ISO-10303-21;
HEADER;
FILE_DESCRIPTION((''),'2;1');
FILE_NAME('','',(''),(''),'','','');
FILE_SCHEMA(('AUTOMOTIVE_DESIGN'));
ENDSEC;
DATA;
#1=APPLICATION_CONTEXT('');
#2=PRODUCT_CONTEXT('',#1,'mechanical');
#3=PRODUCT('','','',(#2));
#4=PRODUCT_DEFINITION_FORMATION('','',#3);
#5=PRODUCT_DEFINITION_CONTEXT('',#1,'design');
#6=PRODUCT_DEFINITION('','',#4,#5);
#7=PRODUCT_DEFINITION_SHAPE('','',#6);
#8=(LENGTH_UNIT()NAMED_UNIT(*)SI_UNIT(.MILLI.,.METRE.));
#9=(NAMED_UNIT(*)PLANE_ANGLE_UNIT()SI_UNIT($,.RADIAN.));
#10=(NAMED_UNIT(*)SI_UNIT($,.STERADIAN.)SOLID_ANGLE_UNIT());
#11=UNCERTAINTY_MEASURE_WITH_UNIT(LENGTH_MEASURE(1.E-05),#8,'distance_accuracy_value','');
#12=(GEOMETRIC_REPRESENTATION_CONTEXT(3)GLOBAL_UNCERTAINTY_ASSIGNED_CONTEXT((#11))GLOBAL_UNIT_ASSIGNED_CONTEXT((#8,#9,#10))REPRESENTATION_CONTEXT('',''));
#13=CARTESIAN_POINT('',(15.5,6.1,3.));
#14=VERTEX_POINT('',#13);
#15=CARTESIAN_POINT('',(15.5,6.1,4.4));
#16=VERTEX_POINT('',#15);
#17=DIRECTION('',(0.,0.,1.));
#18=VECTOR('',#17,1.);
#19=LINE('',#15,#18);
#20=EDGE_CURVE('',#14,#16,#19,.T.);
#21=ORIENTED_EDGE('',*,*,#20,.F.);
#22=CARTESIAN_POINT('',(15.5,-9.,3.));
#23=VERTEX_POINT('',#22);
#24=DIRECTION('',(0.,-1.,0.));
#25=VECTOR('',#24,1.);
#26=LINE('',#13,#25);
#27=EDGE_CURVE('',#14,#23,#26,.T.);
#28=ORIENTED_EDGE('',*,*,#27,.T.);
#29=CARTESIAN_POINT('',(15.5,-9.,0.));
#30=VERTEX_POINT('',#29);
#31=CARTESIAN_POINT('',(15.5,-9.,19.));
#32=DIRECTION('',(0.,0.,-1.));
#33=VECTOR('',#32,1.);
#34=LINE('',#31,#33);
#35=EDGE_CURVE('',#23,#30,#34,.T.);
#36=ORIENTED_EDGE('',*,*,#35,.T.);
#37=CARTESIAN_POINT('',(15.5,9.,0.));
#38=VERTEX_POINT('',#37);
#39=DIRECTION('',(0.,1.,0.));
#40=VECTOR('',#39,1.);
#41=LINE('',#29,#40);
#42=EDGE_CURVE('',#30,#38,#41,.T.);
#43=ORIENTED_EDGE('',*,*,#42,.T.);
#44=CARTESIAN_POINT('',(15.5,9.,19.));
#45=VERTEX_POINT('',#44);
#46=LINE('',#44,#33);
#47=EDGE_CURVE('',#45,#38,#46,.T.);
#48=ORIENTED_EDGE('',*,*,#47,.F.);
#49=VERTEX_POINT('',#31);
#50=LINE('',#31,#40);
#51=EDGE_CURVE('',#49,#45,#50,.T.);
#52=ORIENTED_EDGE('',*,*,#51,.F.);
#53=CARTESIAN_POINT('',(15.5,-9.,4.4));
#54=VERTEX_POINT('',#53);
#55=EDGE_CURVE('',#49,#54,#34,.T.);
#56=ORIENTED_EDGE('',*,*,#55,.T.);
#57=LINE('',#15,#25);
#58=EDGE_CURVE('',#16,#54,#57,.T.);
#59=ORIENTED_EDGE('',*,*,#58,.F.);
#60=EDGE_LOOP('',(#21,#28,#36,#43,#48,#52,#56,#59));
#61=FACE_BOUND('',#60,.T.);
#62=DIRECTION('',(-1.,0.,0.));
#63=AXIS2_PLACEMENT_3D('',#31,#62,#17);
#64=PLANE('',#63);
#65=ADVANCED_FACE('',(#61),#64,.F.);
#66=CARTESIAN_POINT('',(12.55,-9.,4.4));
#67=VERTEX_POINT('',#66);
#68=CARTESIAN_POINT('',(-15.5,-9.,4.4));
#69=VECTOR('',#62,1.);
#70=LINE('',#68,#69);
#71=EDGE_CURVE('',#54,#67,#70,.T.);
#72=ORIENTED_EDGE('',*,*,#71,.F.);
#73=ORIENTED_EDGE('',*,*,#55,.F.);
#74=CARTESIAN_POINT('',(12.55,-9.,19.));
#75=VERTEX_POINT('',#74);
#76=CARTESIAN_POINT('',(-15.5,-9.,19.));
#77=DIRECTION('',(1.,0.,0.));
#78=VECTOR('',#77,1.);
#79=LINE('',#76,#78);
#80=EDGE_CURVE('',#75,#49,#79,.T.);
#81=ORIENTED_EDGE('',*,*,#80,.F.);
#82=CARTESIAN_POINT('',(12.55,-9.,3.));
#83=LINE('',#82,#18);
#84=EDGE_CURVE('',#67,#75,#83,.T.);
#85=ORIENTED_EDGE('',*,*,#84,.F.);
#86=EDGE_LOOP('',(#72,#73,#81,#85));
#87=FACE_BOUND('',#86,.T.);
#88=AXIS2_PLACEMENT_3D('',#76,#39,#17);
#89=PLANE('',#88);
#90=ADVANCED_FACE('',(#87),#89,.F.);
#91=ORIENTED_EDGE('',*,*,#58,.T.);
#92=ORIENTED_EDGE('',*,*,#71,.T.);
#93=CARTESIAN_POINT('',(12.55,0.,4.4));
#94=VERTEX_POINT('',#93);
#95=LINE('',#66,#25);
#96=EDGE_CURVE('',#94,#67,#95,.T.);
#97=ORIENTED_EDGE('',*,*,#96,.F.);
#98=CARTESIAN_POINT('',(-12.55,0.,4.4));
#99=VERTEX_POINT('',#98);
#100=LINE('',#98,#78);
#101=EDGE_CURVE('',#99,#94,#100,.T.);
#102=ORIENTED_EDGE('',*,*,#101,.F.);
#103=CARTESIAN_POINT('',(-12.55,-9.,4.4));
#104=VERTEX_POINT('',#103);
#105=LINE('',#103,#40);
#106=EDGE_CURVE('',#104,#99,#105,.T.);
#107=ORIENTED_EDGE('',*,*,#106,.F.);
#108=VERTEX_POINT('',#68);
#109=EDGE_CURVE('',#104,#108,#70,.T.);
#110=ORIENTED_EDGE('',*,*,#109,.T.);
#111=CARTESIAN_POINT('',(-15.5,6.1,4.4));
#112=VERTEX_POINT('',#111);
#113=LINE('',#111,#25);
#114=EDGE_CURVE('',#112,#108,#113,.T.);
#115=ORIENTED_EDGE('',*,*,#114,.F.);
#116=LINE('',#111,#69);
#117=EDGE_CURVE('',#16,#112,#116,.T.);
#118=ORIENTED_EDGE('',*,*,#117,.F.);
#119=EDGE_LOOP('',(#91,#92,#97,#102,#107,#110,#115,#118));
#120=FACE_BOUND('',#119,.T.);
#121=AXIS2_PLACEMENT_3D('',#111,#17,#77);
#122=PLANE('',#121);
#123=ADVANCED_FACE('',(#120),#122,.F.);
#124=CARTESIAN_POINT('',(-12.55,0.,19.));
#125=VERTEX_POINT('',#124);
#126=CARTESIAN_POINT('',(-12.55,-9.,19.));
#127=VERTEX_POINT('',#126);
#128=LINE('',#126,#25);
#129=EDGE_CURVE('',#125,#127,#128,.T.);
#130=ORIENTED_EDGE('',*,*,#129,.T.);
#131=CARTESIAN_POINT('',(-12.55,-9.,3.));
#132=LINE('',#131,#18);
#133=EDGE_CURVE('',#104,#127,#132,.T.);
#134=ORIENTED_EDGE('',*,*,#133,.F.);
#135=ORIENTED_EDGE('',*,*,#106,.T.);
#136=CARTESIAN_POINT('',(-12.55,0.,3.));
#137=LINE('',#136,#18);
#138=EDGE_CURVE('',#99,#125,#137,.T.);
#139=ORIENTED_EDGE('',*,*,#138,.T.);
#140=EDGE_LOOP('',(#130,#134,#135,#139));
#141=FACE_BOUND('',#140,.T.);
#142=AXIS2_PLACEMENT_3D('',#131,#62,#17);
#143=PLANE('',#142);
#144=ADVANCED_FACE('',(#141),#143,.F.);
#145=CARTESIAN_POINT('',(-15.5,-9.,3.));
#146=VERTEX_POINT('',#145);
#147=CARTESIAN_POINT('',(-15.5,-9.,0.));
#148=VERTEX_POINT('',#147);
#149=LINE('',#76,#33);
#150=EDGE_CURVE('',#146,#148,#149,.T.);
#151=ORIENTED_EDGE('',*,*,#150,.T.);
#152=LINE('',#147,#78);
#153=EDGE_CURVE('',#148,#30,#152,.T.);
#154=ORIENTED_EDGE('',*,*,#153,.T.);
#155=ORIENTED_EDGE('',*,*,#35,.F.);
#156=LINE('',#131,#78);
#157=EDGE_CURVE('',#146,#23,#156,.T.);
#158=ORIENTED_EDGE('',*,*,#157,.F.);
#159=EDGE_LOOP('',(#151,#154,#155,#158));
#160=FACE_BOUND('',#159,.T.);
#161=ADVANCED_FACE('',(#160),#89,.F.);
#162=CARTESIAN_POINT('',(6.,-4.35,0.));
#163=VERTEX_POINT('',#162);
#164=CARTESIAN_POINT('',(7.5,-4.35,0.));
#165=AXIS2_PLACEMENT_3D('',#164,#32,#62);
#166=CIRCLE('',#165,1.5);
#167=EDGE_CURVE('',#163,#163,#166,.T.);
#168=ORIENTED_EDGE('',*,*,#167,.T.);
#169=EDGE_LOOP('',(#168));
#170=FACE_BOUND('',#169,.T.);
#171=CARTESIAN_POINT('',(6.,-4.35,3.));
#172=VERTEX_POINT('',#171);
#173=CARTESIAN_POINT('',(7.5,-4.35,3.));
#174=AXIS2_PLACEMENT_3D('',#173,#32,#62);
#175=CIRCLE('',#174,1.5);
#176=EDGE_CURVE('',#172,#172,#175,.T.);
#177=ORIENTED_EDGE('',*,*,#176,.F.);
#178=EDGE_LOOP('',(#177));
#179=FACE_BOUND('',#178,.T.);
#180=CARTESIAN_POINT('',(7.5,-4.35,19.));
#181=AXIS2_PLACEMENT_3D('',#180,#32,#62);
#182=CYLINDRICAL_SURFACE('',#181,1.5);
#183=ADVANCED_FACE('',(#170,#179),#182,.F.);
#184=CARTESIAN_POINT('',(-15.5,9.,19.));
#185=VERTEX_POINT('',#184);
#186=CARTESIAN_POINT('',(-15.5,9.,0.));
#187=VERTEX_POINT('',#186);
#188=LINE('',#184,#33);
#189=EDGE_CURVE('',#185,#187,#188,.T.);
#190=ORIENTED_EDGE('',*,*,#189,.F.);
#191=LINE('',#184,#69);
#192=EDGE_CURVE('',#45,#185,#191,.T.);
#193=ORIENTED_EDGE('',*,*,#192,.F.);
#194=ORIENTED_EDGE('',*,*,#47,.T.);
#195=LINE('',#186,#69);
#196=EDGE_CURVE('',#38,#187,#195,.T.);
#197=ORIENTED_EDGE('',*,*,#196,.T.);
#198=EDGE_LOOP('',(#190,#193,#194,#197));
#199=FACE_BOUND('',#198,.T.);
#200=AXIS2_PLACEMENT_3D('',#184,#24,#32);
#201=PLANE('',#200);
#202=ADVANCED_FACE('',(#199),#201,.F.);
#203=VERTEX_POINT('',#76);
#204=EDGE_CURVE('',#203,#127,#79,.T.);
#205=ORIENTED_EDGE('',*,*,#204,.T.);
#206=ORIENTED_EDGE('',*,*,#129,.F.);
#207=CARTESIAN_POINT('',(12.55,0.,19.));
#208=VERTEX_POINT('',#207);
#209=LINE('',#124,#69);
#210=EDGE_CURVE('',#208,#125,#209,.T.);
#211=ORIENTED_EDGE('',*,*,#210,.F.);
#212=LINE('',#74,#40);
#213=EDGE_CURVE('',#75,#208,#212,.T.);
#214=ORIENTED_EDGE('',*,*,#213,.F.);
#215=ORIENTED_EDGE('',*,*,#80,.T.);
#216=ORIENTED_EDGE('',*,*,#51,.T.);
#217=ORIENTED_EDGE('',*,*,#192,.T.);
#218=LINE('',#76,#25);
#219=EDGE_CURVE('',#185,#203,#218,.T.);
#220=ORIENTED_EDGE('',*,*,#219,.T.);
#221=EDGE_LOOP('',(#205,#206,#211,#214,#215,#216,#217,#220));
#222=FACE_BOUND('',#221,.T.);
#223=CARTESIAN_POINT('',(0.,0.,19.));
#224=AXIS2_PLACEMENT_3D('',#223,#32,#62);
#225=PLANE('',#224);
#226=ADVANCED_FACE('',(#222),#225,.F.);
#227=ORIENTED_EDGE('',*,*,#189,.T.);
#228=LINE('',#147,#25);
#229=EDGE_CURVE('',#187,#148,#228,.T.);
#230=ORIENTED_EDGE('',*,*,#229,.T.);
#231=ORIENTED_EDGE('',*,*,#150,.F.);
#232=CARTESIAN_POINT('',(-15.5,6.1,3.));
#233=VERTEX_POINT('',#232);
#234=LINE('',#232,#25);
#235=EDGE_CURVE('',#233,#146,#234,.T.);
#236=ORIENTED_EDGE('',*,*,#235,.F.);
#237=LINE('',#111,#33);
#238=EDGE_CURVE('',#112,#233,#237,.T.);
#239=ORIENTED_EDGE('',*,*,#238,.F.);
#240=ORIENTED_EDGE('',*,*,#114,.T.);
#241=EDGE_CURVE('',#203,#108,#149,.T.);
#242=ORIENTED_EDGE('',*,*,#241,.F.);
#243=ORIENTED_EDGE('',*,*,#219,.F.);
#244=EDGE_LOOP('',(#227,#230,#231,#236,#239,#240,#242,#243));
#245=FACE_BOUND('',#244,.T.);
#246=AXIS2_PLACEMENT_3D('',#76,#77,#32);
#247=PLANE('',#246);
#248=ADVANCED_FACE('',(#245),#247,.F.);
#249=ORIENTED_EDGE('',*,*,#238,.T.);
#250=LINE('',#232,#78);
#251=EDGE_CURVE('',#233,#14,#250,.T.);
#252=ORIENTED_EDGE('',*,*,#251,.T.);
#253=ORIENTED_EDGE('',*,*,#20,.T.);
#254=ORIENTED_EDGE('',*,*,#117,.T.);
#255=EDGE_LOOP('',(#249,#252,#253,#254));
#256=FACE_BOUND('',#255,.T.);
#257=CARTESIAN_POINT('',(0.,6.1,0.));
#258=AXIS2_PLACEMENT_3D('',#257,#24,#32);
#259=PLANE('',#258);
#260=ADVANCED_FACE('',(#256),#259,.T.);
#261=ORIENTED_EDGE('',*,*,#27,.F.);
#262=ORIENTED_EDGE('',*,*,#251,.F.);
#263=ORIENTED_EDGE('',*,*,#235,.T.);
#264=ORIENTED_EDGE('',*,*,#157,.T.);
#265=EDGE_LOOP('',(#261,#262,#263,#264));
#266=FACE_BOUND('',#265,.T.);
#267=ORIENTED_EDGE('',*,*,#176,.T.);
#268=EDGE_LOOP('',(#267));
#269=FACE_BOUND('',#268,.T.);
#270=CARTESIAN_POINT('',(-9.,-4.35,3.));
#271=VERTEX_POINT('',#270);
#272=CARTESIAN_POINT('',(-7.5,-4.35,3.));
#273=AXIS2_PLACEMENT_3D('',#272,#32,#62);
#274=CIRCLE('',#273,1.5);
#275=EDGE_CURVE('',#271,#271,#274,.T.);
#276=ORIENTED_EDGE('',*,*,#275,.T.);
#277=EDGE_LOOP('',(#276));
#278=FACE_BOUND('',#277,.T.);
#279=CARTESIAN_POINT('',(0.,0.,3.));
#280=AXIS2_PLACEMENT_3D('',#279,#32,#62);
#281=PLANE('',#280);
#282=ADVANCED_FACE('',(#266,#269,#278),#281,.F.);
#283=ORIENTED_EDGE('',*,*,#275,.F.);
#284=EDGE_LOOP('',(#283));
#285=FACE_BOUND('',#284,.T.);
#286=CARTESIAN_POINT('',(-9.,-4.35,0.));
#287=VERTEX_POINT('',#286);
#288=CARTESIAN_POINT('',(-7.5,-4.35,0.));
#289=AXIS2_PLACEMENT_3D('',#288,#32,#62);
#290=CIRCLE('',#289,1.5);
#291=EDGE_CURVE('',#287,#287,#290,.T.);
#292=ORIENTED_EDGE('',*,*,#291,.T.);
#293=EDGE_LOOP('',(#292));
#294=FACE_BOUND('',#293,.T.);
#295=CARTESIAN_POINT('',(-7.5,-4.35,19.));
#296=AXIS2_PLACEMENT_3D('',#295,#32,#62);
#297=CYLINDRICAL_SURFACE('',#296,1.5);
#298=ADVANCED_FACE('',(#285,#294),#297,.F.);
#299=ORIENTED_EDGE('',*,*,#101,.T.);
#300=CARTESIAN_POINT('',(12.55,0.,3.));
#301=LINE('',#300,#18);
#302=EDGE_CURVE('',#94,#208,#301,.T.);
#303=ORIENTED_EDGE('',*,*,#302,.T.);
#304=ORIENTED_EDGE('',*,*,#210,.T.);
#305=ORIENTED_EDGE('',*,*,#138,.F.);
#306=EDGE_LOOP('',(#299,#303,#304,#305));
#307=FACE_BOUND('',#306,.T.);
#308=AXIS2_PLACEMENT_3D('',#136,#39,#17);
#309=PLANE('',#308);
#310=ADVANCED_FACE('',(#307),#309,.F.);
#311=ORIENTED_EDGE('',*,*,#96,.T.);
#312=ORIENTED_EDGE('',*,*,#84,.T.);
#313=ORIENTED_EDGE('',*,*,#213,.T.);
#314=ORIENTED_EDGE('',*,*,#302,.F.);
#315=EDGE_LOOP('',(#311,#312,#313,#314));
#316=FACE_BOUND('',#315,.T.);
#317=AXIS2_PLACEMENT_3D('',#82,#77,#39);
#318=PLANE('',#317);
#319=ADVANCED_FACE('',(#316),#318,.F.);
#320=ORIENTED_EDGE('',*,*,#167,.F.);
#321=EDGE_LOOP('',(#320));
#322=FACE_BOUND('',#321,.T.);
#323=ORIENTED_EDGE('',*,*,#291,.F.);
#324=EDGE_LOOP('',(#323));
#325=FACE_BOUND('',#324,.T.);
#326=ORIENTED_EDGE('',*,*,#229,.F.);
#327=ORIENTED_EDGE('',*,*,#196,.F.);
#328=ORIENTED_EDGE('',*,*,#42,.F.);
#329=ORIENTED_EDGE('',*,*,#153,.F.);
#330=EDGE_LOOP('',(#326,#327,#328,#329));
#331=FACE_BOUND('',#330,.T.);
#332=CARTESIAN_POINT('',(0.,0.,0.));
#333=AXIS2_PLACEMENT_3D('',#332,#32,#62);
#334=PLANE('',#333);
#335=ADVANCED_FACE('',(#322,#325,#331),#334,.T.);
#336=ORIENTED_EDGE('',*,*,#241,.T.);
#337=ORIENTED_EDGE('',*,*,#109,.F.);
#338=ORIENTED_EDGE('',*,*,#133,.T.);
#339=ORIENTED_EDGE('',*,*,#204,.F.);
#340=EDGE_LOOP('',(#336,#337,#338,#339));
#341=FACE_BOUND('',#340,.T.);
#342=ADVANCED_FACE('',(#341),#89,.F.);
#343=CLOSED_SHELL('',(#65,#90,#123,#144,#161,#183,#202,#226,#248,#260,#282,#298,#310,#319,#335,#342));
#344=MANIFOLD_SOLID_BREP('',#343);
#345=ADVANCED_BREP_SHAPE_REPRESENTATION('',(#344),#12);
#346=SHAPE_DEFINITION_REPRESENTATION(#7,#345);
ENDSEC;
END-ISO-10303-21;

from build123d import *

# Parameters (mm, degrees)
CROQUIS1_W              = 31
CROQUIS1_H              = 18
SALIENTE_EXTRUIR1_DEPTH = 19
CROQUIS3_W              = 25.1
CROQUIS3_H              = 9
CORTAR_EXTRUIR1_DEPTH   = 16
CROQUIS4_W              = 31
CROQUIS4_H              = 1.4
CORTAR_EXTRUIR2_DEPTH   = 15.1
CROQUIS5_R              = 1.5
CORTAR_EXTRUIR3_DEPTH   = 20


with BuildPart() as part:
    # Croquis1 → Saliente-Extruir1 (new body)
    with BuildSketch(Plane.XY):
        Rectangle(CROQUIS1_W, CROQUIS1_H)
    extrude(amount=SALIENTE_EXTRUIR1_DEPTH)

    # Croquis3 → Cortar-Extruir1 (cut)
    with BuildSketch(Plane.XY.offset(19)):
        with Locations((0, -4.5)):
            Rectangle(CROQUIS3_W, CROQUIS3_H)
    extrude(amount=-CORTAR_EXTRUIR1_DEPTH, mode=Mode.SUBTRACT)

    # Croquis4 → Cortar-Extruir2 (cut)
    with BuildSketch(Plane.XZ.offset(9)):
        with Locations((0, 3.7)):
            Rectangle(CROQUIS4_W, CROQUIS4_H)
    extrude(amount=-CORTAR_EXTRUIR2_DEPTH, mode=Mode.SUBTRACT)

    # Croquis5 → Cortar-Extruir3 (cut, through all)
    with BuildSketch(Plane(origin=(0, 0, 0), x_dir=(-1, 0, 0), z_dir=(0, 0, -1))):
        with Locations((-7.5, -4.35)):
            Circle(CROQUIS5_R)
        with Locations((7.5, -4.35)):
            Circle(CROQUIS5_R)
    extrude(amount=-CORTAR_EXTRUIR3_DEPTH, mode=Mode.SUBTRACT)


solid = part.part
